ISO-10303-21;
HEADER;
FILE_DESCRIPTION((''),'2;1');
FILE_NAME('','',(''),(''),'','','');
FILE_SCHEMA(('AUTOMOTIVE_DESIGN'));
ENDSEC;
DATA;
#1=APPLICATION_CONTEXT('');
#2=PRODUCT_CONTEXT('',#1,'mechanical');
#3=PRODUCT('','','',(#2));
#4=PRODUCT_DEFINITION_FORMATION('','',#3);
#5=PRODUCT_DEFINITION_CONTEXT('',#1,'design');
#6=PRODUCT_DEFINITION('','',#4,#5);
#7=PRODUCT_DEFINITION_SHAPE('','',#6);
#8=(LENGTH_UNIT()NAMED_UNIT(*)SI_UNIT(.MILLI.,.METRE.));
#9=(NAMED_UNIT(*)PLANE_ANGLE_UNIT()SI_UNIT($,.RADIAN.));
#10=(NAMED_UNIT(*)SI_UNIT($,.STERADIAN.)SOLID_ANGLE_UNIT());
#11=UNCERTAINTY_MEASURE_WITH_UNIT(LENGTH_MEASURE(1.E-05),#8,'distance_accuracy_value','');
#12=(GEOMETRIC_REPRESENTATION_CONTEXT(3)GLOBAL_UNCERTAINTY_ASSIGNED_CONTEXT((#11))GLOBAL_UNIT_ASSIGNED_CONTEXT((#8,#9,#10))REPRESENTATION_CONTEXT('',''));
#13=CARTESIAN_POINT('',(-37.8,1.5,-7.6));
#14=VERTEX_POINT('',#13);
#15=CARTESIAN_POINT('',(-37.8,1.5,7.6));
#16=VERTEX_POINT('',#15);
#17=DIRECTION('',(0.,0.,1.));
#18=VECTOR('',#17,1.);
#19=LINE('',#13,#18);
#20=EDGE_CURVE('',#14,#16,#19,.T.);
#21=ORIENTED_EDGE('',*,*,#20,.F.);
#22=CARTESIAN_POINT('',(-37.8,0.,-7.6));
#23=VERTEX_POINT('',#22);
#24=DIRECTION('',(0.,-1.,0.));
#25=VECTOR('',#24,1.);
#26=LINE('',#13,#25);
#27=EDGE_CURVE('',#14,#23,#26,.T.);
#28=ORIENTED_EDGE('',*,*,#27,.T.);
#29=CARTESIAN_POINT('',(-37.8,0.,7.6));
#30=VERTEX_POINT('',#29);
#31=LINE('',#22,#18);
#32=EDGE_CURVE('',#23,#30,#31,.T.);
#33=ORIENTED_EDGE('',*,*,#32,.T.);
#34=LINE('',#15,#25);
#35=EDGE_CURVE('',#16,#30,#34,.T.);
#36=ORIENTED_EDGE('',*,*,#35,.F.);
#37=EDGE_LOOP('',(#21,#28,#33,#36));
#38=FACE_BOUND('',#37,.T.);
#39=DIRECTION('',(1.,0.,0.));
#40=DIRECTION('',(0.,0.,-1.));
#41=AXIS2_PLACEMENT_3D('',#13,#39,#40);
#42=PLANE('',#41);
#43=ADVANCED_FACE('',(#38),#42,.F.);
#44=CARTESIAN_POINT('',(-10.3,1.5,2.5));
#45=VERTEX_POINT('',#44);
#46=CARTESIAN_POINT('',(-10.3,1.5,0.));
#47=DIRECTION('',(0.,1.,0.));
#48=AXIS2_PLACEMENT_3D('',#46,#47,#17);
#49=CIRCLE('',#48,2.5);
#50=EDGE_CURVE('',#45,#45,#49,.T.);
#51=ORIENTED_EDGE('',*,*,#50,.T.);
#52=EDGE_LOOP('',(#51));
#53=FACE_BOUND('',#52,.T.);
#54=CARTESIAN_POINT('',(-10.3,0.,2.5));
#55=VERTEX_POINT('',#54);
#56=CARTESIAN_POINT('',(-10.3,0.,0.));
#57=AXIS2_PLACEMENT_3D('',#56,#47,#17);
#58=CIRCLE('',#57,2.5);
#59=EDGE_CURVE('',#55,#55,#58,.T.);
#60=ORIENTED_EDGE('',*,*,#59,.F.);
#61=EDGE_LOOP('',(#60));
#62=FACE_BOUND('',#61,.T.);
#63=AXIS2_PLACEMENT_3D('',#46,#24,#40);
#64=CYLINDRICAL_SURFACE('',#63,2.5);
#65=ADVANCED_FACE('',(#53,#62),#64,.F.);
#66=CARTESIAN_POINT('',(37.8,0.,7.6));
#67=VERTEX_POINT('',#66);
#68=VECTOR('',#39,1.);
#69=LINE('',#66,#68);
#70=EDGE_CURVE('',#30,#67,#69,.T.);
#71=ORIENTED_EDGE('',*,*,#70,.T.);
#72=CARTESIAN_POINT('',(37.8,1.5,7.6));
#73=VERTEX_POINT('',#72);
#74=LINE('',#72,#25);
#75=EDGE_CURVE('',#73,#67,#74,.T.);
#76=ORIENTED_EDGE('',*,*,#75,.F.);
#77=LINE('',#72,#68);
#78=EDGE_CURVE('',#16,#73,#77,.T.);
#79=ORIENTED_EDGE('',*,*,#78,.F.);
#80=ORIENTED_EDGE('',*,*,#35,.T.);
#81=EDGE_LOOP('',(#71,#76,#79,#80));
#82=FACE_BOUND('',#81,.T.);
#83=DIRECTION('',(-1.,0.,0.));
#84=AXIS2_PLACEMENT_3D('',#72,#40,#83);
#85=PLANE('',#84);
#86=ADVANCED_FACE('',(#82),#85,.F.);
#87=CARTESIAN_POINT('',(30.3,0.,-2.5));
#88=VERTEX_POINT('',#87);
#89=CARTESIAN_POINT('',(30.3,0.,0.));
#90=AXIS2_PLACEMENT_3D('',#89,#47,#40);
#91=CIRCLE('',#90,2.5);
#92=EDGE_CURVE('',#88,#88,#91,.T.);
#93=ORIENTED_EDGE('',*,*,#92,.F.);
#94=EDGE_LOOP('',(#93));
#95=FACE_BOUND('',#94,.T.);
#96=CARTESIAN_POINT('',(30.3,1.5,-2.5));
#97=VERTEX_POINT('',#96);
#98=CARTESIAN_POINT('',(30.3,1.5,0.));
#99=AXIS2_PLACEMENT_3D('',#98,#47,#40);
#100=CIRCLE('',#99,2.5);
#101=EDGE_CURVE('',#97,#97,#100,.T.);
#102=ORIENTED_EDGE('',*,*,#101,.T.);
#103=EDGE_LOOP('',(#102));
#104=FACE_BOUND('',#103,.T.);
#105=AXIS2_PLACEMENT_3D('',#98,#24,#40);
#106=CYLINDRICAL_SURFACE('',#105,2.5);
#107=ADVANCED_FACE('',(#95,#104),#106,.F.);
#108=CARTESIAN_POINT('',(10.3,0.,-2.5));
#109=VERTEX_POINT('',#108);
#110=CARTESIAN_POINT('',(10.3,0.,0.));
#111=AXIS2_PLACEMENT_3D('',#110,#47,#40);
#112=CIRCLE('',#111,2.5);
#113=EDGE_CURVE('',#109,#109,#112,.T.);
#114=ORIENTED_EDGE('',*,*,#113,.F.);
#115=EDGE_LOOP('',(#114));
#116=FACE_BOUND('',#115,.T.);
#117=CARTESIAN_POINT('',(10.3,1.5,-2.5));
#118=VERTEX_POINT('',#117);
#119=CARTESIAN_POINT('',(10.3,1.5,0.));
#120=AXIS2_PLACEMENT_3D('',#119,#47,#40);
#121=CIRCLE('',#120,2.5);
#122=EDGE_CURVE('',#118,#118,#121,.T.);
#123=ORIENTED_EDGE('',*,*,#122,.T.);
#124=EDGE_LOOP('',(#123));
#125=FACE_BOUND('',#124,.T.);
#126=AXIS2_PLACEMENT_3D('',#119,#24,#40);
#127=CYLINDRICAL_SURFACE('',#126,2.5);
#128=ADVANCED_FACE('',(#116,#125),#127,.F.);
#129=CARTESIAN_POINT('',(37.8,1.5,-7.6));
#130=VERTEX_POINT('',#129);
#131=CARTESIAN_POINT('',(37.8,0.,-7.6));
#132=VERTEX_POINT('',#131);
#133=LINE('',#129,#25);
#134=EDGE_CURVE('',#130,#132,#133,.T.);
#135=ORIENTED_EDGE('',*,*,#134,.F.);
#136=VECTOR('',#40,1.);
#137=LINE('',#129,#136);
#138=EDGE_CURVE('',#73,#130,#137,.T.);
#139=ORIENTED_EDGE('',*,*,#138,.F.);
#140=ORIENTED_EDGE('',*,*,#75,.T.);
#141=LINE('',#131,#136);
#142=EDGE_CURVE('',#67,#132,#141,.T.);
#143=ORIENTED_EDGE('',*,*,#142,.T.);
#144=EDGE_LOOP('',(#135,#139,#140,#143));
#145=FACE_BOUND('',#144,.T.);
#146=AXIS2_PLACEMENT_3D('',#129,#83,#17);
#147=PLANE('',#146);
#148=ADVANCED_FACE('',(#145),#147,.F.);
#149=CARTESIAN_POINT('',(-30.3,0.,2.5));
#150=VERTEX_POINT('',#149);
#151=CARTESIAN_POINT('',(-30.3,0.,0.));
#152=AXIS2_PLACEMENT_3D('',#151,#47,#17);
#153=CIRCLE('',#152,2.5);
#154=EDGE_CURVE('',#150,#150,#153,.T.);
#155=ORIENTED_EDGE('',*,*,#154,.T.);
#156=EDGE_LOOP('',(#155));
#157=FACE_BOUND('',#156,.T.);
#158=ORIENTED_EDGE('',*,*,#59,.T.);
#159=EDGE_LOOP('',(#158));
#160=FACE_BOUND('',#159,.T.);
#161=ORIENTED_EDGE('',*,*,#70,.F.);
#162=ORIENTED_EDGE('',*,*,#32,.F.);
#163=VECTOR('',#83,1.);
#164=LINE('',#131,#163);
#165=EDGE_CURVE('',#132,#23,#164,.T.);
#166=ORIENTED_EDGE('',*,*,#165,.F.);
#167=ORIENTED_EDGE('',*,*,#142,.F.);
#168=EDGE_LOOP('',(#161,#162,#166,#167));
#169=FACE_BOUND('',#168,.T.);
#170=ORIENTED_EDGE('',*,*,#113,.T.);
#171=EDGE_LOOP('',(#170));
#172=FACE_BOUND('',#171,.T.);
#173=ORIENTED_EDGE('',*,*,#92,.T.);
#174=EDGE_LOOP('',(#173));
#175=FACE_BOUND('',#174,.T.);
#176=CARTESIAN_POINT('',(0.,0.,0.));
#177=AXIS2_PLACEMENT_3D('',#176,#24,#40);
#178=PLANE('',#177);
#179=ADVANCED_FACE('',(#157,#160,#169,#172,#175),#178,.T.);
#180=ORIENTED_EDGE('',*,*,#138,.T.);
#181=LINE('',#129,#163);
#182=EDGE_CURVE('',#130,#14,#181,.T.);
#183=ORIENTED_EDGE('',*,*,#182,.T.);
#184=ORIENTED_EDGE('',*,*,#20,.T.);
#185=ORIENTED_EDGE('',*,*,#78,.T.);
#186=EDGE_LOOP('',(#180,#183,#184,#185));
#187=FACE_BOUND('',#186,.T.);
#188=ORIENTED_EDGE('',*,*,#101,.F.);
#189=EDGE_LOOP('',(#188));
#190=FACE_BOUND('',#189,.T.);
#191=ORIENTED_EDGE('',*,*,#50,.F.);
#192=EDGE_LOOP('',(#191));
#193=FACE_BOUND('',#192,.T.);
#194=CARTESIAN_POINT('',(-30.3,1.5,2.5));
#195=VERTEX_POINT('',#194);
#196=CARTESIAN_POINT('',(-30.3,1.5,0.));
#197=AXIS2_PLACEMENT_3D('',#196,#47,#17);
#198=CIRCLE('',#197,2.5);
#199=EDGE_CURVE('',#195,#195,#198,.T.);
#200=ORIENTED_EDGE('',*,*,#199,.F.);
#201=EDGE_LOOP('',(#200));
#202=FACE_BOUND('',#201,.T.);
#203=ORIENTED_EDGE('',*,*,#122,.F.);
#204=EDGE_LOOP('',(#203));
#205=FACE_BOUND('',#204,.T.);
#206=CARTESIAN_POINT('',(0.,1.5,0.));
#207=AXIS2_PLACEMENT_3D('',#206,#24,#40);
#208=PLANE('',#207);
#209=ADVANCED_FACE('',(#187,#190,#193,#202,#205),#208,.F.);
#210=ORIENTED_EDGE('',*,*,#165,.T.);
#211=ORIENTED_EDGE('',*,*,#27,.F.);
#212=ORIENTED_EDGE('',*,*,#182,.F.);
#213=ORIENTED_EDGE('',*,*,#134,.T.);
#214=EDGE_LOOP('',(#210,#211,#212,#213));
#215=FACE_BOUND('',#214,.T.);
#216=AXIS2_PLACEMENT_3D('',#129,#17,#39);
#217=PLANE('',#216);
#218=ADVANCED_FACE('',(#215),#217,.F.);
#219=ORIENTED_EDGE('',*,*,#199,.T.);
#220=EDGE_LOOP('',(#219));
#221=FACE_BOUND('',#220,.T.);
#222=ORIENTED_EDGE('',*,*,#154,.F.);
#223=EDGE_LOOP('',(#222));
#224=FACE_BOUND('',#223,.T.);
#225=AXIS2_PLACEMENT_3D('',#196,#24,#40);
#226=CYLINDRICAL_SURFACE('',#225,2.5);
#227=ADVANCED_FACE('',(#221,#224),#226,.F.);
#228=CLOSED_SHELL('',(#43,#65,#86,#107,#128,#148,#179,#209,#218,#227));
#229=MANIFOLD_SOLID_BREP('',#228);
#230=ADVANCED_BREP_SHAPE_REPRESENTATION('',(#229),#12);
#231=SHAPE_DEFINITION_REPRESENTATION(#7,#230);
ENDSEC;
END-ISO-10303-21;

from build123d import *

# Parameters (mm, degrees)
SKETCH1_W      = 75.6
SKETCH1_H      = 15.2
SKETCH1_R      = 2.5
EXTRUDE1_DEPTH = 1.5


with BuildPart() as part:
    # Sketch1 → Extrude1 (new body)
    with BuildSketch(Plane(origin=(0, 0, 0), x_dir=(1, 0, 0), z_dir=(0, 1, 0))):
        Rectangle(SKETCH1_W, SKETCH1_H)
        with Locations((-30.3, 0)):
            Circle(SKETCH1_R, mode=Mode.SUBTRACT)
        with Locations((-10.3, 0)):
            Circle(SKETCH1_R, mode=Mode.SUBTRACT)
        with Locations((10.3, 0)):
            Circle(SKETCH1_R, mode=Mode.SUBTRACT)
        with Locations((30.3, 0)):
            Circle(SKETCH1_R, mode=Mode.SUBTRACT)
    extrude(amount=EXTRUDE1_DEPTH)


solid = part.part
